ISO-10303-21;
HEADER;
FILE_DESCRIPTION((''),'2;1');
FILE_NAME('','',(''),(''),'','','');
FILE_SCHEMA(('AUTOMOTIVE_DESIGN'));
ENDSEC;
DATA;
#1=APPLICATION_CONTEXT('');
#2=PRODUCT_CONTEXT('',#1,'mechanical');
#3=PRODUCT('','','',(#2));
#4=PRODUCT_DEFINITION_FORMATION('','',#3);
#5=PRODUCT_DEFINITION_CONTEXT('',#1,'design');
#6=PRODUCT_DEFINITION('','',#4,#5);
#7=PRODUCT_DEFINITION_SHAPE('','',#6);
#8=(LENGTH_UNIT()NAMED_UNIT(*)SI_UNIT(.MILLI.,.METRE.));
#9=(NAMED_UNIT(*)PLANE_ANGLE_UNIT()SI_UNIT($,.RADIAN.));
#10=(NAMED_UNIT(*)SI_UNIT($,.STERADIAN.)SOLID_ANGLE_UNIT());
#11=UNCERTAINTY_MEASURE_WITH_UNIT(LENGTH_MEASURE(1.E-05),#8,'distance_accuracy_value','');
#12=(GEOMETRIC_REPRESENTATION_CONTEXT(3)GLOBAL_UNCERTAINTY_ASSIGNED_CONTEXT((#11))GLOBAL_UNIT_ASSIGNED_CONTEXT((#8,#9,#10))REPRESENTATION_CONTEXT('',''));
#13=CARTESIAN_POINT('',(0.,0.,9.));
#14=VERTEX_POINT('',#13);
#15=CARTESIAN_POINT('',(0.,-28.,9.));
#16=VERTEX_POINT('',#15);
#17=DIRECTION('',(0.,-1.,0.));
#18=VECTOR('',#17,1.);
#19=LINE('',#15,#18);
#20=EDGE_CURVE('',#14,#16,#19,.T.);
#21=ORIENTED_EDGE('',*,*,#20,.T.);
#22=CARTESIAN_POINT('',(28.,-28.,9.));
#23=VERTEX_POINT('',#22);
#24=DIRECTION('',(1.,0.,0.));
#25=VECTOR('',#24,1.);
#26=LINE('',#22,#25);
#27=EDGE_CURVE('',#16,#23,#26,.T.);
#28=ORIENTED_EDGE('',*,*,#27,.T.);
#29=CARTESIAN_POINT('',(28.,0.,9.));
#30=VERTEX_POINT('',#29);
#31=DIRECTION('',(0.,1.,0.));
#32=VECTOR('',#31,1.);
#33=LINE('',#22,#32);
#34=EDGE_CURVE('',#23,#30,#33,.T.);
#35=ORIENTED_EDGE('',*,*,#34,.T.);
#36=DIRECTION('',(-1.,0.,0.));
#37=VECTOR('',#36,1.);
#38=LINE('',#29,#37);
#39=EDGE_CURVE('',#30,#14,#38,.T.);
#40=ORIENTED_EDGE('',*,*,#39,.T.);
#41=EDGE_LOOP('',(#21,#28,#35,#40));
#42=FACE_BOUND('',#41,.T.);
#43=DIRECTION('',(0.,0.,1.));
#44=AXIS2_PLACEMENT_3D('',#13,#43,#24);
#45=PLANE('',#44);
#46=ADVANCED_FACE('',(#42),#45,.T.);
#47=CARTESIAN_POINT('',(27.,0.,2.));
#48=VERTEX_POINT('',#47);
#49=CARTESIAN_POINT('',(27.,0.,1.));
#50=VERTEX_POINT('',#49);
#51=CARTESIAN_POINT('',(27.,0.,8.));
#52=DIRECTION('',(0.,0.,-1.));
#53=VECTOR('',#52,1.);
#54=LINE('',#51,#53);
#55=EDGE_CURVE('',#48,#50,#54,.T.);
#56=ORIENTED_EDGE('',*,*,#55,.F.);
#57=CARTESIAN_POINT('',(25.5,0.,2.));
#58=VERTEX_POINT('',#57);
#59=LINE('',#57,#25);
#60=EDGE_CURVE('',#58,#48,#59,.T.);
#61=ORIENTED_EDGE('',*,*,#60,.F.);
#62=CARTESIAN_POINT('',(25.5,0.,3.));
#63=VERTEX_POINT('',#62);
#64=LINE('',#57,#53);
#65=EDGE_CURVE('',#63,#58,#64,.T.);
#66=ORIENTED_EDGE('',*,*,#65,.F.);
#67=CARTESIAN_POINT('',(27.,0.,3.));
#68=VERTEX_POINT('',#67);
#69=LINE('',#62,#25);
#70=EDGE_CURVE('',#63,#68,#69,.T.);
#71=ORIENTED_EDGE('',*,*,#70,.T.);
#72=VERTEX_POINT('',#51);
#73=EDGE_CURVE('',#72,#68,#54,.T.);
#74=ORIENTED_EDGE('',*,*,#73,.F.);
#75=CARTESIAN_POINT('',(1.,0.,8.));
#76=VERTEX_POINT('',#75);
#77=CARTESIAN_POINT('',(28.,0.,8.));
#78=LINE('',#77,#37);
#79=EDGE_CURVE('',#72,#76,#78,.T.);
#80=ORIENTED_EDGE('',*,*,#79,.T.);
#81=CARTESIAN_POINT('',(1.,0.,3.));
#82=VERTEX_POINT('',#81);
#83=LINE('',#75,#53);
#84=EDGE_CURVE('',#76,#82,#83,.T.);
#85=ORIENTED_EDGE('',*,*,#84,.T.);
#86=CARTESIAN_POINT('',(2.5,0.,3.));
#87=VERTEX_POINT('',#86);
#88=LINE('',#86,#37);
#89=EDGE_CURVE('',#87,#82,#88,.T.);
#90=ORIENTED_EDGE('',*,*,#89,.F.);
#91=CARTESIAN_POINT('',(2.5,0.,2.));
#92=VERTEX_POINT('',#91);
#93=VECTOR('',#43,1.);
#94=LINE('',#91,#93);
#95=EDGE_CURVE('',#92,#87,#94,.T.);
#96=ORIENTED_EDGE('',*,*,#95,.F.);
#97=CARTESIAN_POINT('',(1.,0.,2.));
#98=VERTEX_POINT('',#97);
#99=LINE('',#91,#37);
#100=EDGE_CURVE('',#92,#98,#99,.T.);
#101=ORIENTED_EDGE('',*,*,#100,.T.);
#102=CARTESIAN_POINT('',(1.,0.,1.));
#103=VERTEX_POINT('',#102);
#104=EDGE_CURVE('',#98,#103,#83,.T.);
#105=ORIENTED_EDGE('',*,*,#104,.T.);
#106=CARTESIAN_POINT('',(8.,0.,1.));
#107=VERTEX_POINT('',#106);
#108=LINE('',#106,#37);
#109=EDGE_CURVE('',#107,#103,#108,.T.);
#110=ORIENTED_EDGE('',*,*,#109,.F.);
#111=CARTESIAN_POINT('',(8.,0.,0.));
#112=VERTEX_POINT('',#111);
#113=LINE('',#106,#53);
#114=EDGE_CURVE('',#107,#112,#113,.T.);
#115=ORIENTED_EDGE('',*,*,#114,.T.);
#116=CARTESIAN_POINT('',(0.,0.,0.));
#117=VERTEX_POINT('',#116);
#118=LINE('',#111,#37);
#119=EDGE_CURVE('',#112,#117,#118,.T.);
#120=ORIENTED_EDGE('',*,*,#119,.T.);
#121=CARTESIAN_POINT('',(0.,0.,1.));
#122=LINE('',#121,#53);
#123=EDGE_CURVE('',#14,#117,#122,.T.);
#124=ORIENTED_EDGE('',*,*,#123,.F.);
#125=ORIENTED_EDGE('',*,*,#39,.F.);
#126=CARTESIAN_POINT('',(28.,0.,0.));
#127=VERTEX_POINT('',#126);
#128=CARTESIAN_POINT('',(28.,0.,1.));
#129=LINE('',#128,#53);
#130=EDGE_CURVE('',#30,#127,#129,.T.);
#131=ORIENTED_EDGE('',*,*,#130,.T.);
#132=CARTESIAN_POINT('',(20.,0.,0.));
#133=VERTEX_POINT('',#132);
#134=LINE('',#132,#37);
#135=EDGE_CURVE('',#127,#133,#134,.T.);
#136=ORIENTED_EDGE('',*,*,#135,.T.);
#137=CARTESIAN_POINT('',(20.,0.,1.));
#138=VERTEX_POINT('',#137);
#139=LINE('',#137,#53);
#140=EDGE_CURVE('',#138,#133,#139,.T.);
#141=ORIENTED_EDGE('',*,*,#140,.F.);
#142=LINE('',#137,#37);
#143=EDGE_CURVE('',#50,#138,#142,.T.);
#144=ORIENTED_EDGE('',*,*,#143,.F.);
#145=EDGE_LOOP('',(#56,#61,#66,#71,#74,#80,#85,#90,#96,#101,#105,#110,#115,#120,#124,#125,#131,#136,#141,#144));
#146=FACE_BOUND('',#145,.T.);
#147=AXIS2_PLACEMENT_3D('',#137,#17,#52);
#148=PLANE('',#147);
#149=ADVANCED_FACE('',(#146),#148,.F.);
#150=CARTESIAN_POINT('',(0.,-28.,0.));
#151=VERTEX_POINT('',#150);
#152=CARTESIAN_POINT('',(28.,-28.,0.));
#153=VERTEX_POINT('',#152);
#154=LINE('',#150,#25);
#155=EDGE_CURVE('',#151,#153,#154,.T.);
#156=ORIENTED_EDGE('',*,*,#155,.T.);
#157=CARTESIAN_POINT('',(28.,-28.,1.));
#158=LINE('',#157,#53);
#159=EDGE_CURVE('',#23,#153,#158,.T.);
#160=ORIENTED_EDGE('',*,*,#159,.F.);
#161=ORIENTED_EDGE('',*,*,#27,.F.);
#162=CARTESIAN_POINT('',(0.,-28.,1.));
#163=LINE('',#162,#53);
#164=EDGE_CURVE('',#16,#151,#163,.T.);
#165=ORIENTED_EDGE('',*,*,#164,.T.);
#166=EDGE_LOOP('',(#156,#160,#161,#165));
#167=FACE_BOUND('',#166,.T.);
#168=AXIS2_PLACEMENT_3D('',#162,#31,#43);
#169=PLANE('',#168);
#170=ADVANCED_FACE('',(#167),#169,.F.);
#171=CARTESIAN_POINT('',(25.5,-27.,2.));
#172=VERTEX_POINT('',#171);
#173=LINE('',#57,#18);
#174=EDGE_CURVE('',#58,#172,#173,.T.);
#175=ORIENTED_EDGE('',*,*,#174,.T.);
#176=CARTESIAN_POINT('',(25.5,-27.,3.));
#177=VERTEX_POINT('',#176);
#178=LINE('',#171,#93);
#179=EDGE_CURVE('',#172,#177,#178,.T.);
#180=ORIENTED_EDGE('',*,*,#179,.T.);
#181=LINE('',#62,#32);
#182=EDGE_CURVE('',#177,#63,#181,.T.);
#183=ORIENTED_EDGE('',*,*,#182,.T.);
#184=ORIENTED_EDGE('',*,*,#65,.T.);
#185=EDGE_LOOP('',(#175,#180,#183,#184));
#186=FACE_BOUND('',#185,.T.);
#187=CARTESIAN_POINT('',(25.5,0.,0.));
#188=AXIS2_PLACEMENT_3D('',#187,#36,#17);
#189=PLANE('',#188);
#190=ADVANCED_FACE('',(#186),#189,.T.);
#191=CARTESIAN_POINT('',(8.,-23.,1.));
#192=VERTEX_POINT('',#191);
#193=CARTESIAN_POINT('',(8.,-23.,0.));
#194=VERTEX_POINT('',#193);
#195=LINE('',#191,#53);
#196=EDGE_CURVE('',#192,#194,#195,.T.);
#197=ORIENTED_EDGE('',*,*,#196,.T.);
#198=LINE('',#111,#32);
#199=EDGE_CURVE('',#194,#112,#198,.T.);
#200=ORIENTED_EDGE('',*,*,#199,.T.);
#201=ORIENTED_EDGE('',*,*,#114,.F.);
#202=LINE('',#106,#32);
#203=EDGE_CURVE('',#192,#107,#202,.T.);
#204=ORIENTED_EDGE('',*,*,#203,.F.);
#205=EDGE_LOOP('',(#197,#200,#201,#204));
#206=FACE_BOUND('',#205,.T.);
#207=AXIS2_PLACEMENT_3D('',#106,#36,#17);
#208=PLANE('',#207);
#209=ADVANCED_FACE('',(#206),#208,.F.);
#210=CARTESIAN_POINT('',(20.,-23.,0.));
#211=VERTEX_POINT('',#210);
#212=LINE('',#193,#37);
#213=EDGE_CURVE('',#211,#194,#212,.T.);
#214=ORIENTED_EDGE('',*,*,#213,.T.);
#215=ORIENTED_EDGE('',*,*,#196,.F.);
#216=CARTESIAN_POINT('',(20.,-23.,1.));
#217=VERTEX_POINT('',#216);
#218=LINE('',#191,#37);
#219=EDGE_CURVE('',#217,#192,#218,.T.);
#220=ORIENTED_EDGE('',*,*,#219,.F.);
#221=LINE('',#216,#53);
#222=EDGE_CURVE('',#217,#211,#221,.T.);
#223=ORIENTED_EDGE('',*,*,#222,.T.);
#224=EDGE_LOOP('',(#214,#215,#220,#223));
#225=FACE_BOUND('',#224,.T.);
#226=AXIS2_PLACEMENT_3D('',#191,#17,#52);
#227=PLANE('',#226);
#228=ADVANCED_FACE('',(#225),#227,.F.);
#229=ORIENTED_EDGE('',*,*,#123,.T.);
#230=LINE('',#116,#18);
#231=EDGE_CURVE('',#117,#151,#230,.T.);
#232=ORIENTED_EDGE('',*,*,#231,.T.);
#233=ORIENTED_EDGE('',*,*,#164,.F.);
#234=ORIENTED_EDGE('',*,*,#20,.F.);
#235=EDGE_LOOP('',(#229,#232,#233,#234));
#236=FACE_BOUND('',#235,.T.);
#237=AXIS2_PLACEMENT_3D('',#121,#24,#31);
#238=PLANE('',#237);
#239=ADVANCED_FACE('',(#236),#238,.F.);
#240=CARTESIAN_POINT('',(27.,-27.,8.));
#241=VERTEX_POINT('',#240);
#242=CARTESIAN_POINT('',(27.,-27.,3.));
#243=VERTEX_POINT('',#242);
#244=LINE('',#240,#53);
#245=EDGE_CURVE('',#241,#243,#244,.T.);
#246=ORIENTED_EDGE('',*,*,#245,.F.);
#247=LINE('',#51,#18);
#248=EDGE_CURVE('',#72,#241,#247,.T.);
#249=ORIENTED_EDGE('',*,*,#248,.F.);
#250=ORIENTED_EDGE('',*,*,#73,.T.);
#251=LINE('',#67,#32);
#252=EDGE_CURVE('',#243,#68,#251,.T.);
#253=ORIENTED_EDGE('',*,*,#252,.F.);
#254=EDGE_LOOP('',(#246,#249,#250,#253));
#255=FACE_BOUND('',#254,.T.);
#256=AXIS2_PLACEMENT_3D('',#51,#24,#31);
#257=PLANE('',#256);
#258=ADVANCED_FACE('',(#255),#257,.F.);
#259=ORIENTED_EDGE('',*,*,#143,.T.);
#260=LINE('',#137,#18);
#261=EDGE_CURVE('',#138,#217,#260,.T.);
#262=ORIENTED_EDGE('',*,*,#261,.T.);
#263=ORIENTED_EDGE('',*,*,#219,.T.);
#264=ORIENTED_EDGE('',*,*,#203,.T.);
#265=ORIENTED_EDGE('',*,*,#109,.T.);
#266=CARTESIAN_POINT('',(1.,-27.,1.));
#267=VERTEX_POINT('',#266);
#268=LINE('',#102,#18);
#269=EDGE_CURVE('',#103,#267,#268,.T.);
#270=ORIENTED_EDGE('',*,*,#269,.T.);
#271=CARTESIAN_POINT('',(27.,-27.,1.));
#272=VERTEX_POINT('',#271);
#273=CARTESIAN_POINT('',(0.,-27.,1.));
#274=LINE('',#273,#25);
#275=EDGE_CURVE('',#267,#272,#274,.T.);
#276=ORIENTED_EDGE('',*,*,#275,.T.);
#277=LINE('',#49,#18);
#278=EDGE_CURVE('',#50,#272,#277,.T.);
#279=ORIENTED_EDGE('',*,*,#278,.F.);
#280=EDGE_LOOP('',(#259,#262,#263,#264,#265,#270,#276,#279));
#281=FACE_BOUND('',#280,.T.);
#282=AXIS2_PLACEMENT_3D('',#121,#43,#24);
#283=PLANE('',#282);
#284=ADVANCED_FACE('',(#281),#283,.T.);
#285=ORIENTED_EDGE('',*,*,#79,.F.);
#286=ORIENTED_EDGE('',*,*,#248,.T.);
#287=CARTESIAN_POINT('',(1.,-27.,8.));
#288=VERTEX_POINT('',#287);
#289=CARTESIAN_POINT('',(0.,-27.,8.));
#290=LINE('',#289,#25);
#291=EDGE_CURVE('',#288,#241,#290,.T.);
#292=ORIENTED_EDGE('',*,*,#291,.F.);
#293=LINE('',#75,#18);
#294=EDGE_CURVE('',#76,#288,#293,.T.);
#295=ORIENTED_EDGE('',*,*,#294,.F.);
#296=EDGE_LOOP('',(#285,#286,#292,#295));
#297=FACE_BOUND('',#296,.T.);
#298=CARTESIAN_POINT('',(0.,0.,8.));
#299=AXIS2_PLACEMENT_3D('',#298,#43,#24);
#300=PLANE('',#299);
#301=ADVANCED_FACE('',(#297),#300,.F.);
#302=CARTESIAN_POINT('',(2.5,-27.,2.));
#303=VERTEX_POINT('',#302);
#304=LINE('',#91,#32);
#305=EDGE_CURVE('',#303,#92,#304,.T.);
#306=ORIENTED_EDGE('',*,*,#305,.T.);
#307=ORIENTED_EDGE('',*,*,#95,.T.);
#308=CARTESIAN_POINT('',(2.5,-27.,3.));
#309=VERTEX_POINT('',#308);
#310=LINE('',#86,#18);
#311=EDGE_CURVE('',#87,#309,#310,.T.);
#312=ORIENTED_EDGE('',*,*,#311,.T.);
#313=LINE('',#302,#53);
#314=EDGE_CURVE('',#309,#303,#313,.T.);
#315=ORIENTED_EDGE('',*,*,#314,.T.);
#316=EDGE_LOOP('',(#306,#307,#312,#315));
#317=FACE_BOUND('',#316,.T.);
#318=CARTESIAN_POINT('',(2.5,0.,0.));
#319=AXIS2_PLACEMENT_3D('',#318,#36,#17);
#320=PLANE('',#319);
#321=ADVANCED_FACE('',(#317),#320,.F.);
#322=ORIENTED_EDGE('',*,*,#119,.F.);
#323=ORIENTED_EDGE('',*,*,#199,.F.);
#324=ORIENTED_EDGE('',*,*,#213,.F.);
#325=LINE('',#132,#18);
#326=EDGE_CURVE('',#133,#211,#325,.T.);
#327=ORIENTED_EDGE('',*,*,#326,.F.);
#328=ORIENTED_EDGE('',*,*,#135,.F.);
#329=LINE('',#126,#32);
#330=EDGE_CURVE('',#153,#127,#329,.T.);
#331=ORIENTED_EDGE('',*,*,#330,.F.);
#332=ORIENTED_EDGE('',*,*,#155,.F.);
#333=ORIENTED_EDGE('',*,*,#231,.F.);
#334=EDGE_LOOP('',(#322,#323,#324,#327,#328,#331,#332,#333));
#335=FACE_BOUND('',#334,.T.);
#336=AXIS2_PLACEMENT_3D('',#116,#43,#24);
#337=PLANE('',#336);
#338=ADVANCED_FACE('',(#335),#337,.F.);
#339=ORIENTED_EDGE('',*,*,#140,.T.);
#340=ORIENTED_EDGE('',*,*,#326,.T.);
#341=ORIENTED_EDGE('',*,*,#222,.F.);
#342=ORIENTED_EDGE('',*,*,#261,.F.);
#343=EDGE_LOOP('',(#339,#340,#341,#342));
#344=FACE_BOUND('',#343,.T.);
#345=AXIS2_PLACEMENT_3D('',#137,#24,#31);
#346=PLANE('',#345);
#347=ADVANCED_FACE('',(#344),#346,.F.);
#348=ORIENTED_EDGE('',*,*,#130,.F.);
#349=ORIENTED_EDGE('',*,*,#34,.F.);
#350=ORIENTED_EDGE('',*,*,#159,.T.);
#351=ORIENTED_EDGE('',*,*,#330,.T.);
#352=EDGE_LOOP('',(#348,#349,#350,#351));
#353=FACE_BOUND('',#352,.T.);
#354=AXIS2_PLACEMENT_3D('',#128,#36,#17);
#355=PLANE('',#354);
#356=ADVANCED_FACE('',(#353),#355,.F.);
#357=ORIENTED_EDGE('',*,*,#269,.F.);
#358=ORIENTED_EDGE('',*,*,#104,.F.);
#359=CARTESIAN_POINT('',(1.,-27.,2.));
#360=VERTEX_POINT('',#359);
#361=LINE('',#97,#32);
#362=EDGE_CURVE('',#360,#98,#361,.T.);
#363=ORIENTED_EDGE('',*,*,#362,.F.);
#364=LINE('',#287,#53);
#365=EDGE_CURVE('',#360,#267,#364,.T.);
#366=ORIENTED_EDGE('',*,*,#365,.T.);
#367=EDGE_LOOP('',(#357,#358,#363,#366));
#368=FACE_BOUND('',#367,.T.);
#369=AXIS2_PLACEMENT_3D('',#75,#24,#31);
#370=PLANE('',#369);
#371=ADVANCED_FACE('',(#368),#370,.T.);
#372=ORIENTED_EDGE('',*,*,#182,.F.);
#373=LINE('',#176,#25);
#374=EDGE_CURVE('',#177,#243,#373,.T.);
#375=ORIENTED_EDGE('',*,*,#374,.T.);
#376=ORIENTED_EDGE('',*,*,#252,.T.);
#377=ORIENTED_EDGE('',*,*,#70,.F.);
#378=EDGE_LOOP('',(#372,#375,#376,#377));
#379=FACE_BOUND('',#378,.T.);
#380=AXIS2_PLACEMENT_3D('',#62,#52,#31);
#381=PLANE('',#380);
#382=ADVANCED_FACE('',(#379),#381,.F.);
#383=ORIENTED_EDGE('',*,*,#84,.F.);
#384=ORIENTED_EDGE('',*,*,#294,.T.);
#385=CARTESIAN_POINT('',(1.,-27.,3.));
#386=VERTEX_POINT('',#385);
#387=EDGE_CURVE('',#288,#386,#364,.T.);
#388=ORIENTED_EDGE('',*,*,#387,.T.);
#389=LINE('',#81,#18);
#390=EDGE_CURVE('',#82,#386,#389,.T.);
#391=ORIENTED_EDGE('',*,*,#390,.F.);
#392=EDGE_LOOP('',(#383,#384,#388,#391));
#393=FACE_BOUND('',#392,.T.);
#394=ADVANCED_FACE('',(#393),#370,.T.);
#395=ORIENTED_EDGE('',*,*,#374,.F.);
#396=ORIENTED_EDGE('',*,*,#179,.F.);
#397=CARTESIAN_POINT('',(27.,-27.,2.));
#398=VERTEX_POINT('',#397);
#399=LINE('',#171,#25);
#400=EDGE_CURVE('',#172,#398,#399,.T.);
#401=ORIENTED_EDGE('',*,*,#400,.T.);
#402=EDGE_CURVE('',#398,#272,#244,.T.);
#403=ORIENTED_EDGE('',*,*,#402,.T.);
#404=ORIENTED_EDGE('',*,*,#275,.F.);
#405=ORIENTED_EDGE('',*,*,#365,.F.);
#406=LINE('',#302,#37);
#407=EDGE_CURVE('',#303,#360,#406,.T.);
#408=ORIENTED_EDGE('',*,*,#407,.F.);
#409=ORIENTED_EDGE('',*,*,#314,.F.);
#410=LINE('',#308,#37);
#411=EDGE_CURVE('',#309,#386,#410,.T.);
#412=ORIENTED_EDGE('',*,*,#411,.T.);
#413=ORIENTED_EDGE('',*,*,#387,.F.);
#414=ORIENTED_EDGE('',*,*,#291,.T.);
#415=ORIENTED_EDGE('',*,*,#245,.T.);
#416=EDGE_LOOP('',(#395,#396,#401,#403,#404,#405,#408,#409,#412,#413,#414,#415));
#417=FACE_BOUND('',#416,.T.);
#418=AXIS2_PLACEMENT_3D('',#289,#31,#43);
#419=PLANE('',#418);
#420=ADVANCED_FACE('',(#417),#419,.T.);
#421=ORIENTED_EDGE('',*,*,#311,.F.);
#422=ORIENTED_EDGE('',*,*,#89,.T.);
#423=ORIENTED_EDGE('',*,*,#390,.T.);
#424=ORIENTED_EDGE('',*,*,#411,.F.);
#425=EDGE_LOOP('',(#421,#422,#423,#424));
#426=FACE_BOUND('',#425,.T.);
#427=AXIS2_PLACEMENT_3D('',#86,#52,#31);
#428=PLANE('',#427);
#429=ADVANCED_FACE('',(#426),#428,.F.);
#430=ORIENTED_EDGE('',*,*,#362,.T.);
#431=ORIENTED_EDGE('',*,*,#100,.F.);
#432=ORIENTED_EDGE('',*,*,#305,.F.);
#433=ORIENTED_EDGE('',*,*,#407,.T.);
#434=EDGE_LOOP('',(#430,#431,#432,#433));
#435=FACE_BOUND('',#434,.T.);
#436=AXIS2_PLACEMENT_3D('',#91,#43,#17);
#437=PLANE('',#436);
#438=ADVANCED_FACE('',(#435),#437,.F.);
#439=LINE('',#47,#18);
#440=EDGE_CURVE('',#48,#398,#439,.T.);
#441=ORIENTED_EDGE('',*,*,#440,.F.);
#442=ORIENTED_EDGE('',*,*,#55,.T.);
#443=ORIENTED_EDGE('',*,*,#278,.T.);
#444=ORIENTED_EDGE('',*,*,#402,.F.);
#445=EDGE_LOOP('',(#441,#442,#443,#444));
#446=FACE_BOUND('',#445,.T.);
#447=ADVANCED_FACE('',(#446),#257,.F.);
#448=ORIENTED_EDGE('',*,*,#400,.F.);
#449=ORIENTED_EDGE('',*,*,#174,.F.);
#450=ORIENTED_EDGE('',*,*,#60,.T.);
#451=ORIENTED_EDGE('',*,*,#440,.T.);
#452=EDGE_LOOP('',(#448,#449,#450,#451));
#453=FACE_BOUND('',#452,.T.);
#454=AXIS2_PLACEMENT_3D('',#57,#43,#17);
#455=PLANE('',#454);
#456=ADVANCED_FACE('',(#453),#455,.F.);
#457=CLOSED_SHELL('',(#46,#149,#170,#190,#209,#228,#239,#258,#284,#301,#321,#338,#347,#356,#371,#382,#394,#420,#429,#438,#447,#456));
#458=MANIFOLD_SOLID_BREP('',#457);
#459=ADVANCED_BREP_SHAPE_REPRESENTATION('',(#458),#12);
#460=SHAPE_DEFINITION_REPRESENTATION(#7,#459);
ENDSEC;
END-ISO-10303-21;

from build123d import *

# Parameters (mm, degrees)
EXTRUDE_1_DEPTH = 1
EXTRUDE_2_DEPTH = 7
SKETCH_5_W      = 1
SKETCH_5_H      = 27
EXTRUDE_3_DEPTH = 1.5
SKETCH_7_W      = 1
SKETCH_7_H      = 27
EXTRUDE_4_DEPTH = 1.5
SKETCH_8_W      = 28
SKETCH_8_H      = 28
EXTRUDE_5_DEPTH = 1


with BuildPart() as part:
    # 스케치1 → 보스-돌출1 (new body)
    with BuildSketch(Plane.XY):
        Polygon((20, 0), (28, 0), (28, -28), (0, -28), (0, 0), (8, 0), (8, -23), (20, -23), align=None)
    extrude(amount=EXTRUDE_1_DEPTH)

    # 스케치3 → 보스-돌출2 (add)
    with BuildSketch(Plane.XY.offset(1)):
        Polygon((1, 0), (0, 0), (0, -28), (28, -28), (28, 0), (27, 0), (27, -27), (1, -27), align=None)
    extrude(amount=EXTRUDE_2_DEPTH)

    # 스케치5 → 보스-돌출3 (add)
    with BuildSketch(Plane(origin=(1, 0, 0), x_dir=(0, 0, -1), z_dir=(1, 0, 0))):
        with Locations((-2.5, -13.5)):
            Rectangle(SKETCH_5_W, SKETCH_5_H)
    extrude(amount=EXTRUDE_3_DEPTH)

    # 스케치7 → 보스-돌출4 (add)
    with BuildSketch(Plane.ZY.offset(-27)):
        with Locations((2.5, -13.5)):
            Rectangle(SKETCH_7_W, SKETCH_7_H)
    extrude(amount=EXTRUDE_4_DEPTH)

    # 스케치8 → 보스-돌출5 (add)
    with BuildSketch(Plane.XY.offset(8)):
        with Locations((14, -14)):
            Rectangle(SKETCH_8_W, SKETCH_8_H)
    extrude(amount=EXTRUDE_5_DEPTH)


solid = part.part
